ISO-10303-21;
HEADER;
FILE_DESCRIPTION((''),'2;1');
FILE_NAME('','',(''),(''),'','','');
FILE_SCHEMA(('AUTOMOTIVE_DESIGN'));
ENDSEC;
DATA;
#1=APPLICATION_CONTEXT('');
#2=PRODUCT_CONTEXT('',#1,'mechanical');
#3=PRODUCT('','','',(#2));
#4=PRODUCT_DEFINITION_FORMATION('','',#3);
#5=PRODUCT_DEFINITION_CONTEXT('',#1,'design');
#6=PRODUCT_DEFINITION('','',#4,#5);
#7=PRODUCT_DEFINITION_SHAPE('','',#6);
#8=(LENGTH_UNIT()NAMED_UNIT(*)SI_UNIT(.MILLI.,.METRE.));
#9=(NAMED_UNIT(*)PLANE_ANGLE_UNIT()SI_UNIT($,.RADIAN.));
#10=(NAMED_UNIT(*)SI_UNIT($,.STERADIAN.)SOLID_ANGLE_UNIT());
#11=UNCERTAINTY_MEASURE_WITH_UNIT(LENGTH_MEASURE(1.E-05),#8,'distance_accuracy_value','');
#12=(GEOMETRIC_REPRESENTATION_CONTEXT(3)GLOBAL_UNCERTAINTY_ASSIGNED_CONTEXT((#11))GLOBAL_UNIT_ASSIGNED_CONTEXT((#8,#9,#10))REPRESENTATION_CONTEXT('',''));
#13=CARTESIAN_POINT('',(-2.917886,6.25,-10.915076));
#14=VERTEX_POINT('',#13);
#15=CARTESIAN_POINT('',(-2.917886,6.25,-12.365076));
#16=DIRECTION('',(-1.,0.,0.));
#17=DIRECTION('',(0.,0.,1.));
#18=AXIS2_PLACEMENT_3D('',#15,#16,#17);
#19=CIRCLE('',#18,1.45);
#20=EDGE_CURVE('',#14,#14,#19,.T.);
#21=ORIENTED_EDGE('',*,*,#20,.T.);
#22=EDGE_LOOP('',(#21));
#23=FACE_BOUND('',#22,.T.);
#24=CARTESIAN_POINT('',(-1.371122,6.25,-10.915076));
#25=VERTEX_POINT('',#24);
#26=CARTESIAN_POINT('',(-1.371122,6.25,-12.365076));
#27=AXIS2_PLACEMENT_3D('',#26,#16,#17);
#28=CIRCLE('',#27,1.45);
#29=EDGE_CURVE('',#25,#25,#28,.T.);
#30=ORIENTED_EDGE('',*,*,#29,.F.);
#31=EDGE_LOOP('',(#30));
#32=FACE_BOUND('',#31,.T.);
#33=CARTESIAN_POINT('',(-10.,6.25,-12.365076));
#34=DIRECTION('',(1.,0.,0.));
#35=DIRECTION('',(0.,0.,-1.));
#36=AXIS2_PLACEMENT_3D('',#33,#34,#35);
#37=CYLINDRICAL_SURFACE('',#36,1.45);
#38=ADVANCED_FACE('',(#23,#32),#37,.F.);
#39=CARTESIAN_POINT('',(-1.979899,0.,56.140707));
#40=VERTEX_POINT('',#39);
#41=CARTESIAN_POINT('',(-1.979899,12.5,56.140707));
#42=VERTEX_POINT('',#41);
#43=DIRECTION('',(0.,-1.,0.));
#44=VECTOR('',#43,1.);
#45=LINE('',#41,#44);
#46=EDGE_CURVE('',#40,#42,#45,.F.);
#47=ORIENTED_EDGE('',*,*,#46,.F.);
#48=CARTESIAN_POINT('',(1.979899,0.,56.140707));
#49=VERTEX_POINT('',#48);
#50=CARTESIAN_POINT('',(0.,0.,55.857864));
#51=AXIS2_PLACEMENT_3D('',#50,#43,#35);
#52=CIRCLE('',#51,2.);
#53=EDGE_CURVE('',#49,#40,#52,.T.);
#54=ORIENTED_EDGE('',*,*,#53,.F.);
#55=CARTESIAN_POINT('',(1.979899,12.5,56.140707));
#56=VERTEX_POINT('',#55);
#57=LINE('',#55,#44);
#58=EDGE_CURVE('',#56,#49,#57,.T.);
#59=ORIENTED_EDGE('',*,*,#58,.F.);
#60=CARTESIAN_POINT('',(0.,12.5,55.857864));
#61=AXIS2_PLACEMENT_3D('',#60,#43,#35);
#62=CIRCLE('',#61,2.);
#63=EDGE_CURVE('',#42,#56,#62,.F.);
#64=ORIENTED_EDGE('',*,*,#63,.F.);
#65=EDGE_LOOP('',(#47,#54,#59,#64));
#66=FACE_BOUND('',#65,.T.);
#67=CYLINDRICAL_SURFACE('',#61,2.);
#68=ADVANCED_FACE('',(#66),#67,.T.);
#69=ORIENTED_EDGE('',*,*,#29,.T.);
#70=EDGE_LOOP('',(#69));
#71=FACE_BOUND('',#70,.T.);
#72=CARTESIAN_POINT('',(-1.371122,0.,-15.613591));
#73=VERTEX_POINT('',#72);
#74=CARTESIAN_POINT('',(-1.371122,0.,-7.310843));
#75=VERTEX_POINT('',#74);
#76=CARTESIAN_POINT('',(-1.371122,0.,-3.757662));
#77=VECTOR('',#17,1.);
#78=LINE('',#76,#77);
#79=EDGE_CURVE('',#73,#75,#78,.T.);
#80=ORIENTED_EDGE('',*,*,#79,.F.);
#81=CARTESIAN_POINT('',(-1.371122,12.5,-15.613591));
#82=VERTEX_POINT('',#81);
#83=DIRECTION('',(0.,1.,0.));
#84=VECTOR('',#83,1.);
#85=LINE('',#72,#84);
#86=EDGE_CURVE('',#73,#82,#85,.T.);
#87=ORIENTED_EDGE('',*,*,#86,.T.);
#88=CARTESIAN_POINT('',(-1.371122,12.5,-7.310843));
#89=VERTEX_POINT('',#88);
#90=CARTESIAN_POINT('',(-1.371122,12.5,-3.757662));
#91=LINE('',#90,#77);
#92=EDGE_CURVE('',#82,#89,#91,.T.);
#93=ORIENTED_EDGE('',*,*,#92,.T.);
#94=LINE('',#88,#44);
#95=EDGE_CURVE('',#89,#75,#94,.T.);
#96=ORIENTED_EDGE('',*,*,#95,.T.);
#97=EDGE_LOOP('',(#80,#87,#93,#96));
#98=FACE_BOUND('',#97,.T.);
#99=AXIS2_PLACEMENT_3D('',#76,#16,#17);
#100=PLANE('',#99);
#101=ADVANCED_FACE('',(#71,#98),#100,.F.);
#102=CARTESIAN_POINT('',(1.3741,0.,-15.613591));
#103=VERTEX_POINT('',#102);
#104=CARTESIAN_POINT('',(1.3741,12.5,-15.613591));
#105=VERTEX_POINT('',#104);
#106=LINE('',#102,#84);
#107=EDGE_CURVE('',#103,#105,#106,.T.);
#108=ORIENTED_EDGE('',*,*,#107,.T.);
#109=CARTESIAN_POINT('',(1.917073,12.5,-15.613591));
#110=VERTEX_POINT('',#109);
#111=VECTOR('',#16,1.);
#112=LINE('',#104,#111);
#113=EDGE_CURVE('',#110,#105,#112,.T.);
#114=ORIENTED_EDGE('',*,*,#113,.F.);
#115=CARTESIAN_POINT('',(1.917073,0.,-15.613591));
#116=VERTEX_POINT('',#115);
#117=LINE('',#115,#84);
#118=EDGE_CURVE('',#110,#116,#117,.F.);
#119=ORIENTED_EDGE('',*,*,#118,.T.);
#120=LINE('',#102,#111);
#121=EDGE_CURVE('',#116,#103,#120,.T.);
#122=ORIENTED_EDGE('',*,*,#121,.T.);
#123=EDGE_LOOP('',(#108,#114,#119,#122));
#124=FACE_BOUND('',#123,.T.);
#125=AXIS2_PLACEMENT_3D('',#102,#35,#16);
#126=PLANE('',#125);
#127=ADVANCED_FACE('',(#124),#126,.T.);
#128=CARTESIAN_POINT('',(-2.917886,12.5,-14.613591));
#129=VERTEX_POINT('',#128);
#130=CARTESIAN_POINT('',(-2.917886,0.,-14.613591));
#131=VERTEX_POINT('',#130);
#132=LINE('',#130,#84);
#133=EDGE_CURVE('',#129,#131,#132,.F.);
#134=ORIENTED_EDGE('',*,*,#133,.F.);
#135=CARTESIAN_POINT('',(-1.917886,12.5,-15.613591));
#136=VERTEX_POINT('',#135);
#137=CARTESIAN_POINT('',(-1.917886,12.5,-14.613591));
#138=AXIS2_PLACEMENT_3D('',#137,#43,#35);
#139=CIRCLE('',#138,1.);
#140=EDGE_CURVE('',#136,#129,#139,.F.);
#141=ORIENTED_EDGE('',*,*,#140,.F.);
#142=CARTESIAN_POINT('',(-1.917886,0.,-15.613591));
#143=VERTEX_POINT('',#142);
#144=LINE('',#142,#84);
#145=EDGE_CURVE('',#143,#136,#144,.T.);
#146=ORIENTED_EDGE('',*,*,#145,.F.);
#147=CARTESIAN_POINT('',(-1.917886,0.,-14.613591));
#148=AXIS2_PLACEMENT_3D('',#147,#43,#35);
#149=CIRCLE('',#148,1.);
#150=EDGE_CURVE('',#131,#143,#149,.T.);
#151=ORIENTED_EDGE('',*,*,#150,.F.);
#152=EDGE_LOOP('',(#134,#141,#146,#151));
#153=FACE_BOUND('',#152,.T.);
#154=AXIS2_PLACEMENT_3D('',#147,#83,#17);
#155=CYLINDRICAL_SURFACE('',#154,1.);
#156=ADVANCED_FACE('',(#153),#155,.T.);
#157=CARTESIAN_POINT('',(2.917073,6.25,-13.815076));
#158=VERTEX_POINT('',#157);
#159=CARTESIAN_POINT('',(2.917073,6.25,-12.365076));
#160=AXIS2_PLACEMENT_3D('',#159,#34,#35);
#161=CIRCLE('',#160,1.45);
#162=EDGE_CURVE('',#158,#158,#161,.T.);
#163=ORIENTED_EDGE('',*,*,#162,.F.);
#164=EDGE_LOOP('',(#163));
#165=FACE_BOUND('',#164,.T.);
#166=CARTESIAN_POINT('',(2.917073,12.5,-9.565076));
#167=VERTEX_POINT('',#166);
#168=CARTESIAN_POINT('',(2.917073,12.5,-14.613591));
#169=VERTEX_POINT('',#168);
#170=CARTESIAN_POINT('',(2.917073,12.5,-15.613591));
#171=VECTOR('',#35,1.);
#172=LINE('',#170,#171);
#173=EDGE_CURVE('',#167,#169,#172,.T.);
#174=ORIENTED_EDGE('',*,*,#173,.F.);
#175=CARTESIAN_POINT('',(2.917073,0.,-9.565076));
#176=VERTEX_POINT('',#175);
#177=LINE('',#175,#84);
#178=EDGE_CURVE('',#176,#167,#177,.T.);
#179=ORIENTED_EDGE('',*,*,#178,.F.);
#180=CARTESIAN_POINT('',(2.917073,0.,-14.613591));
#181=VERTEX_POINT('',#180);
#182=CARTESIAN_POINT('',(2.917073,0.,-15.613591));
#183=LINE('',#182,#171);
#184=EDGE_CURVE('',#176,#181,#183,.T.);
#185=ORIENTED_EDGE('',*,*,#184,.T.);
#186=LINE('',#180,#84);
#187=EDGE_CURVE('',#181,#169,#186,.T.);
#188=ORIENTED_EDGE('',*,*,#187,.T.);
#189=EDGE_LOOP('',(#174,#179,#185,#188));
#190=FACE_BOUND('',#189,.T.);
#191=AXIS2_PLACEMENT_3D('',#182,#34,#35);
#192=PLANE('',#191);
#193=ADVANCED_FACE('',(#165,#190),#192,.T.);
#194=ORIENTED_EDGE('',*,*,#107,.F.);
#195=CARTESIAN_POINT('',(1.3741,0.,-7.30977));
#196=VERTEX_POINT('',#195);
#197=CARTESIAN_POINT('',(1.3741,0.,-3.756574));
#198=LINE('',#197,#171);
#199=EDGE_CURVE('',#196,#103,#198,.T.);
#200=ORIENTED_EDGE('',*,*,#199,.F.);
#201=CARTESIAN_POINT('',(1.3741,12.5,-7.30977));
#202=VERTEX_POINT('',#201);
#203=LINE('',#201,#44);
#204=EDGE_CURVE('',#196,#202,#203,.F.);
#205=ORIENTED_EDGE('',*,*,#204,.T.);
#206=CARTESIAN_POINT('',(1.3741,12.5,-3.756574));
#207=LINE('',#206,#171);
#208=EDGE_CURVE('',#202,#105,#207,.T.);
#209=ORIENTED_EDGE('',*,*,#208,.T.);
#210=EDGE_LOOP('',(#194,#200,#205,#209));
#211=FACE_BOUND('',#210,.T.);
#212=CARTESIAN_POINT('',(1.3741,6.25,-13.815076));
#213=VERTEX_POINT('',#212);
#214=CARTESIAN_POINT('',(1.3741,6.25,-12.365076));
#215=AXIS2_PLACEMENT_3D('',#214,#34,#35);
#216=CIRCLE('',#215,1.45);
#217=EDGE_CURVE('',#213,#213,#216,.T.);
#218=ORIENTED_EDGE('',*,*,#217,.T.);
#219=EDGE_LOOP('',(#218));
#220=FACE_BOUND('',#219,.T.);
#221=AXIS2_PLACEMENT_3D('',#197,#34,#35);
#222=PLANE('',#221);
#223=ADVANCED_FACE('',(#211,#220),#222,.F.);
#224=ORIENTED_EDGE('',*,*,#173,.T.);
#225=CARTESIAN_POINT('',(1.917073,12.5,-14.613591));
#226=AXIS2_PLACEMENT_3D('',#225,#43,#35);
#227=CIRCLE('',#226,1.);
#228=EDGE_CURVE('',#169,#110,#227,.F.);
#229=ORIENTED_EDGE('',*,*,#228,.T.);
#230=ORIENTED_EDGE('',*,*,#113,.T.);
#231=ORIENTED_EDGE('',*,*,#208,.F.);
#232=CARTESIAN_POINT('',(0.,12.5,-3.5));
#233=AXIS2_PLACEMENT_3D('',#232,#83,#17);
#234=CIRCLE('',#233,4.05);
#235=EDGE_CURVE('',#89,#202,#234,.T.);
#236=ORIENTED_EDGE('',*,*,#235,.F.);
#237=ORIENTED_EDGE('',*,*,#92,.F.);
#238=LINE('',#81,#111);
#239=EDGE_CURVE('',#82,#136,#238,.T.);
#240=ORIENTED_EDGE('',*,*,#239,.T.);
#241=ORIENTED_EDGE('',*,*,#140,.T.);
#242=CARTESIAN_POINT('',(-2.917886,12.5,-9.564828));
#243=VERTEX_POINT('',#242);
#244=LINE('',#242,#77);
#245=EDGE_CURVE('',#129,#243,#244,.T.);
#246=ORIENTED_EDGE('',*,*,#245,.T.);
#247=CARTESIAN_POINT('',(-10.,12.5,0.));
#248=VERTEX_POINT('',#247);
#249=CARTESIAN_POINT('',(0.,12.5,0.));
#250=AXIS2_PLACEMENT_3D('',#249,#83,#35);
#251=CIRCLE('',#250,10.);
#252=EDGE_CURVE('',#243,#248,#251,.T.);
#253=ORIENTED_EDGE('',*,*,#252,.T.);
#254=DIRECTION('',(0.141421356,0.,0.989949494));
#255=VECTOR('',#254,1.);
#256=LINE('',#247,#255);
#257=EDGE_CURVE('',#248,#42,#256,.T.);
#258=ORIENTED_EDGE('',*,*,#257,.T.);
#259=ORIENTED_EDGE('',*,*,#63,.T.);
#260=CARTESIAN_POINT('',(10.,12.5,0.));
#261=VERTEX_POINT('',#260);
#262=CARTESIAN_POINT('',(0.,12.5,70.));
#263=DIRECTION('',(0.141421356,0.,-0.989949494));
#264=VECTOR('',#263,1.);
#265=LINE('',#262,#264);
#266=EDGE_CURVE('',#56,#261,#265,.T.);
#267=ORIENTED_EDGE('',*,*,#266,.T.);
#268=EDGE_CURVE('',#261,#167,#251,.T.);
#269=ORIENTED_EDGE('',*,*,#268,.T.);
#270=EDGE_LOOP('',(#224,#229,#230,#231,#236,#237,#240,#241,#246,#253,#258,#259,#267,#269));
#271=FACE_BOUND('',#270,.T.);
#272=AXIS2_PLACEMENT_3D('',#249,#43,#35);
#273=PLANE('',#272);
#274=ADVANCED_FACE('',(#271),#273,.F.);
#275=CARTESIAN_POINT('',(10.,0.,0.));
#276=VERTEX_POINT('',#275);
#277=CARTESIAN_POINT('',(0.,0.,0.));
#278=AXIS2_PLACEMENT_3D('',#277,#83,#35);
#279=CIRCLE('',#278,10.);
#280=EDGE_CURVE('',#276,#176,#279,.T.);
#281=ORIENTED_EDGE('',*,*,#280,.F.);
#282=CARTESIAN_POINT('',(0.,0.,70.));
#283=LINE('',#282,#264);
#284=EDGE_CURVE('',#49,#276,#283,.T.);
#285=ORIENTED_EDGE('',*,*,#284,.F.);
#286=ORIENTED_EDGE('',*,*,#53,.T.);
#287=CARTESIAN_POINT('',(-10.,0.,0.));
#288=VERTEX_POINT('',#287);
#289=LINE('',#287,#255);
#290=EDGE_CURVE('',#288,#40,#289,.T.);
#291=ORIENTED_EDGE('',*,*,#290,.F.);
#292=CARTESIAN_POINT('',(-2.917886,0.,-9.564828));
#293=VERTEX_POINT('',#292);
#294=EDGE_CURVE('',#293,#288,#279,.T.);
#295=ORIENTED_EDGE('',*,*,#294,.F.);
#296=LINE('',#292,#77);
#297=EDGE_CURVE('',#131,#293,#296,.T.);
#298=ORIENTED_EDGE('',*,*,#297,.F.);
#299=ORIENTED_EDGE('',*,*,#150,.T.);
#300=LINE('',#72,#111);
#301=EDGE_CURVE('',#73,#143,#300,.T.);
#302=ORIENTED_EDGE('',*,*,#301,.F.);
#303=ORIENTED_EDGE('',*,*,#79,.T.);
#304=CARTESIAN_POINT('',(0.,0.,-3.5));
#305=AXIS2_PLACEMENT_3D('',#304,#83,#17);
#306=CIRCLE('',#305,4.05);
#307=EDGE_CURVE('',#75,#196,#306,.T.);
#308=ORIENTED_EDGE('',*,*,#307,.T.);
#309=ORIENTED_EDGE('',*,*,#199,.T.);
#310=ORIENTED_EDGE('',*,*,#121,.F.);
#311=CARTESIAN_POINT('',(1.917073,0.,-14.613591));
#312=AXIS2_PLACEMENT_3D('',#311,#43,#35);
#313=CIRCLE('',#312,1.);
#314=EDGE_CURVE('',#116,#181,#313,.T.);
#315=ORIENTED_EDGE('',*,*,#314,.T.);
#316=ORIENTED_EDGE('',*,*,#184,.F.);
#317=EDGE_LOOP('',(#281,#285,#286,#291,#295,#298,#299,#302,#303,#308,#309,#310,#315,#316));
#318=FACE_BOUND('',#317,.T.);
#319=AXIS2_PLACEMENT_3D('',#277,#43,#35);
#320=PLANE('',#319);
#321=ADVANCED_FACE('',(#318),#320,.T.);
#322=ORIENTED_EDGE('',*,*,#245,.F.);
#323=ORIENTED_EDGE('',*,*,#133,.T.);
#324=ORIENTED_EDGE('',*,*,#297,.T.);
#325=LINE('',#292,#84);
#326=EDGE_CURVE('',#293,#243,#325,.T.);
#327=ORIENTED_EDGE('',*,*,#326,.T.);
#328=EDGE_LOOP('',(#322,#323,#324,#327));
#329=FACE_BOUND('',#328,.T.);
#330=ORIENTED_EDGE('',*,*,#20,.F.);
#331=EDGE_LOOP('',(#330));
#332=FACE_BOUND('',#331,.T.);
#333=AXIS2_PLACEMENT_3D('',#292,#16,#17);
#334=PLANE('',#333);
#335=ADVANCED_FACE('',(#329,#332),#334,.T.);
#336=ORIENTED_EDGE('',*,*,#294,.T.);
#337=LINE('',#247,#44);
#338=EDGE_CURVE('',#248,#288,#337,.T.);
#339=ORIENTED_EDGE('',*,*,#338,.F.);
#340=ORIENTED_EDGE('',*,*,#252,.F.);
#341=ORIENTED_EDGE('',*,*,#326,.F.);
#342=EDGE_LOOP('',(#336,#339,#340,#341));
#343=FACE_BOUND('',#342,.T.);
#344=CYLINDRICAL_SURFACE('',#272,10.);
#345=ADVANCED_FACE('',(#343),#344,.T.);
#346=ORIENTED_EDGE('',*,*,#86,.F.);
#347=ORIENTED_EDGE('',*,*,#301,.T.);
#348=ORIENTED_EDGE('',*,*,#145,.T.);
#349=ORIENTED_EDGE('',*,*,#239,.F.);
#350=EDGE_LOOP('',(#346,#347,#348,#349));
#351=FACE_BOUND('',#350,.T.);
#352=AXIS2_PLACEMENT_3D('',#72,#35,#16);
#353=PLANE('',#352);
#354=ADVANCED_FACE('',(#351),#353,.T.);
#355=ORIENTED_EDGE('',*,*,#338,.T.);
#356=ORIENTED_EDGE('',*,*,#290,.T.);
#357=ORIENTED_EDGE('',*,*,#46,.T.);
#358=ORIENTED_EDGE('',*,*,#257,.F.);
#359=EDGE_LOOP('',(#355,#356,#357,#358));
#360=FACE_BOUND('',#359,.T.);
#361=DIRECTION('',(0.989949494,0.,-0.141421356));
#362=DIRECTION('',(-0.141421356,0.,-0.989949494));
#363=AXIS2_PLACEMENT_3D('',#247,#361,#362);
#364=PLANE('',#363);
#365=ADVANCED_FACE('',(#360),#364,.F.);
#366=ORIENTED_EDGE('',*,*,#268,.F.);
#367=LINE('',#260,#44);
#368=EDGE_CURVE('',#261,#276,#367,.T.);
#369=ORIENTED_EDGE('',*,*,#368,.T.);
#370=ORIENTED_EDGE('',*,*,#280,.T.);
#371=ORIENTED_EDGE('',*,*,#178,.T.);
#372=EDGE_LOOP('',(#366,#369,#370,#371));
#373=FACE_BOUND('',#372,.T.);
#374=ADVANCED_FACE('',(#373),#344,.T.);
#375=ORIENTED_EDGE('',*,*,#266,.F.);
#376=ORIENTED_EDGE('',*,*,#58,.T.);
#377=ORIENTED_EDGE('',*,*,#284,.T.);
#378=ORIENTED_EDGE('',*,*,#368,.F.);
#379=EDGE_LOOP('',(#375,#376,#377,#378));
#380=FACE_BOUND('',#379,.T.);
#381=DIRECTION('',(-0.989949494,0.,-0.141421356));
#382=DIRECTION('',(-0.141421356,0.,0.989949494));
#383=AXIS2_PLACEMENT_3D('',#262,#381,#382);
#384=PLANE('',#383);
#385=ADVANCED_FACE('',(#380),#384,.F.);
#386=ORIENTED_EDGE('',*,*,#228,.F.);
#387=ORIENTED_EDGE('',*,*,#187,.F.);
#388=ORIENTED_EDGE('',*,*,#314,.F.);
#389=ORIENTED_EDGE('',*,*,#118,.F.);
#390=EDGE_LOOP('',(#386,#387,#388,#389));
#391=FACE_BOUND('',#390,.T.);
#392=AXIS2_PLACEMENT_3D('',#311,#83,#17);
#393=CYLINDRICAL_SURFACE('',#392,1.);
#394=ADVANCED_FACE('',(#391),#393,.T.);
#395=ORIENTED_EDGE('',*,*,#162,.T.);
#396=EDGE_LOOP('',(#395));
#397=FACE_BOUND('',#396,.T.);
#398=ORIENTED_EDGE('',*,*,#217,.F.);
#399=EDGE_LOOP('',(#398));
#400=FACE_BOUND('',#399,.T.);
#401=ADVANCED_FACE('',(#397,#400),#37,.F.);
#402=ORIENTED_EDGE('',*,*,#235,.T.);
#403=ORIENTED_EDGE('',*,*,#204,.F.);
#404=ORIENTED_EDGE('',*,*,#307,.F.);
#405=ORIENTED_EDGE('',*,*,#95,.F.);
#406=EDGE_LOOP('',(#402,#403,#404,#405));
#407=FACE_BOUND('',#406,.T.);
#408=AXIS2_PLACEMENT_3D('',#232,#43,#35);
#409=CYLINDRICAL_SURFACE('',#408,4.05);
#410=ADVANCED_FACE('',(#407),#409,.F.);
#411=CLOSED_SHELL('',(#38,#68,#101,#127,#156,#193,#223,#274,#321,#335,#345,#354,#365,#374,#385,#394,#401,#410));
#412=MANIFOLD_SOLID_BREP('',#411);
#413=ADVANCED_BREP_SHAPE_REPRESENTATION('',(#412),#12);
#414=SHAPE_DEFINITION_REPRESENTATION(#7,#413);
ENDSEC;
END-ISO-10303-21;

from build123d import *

# Parameters (mm, degrees)
SKETCH2_R           = 4.05
BOSS_EXTRUDE1_DEPTH = 12.5
FILLET1_R           = 2
CUT_EXTRUDE1_DEPTH  = 61.03151231
BOSS_EXTRUDE2_START = -12.5
BOSS_EXTRUDE2_DEPTH = 12.5
FILLET2_R           = 1
SKETCH7_R           = 1.45
CUT_EXTRUDE2_DEPTH  = 61.585751092


with BuildPart() as part:
    # Sketch2 → Boss-Extrude1 (new body)
    with BuildSketch(Plane(origin=(0, 0, 0), x_dir=(1, 0, 0), z_dir=(0, 1, 0))):
        with BuildLine():
            Line((-10, 0), (0, -70))
            Line((0, -70), (10, 0))
            ThreePointArc((10, 0), (0, 10), (-10, 0))
        make_face()
        with Locations(Location((0, 3.5, 0), (0, 0, 270))):
            Circle(SKETCH2_R, mode=Mode.SUBTRACT)
    extrude(amount=BOSS_EXTRUDE1_DEPTH)

    # Fillet1
    fillet1_edges = [part.edges().sort_by_distance(p)[0] for p in [
        (0, 6.25, 70),
    ]]
    fillet(fillet1_edges, radius=FILLET1_R)

    # Sketch5 → Cut-Extrude1 (cut, through all)
    with BuildSketch(Plane(origin=(0, 12.5, 0), x_dir=(1, 0, 0), z_dir=(0, 1, 0))):
        with BuildLine():
            Line((-1.371121558, 3.757662262), (-1.371121558, 13.050926013))
            Line((-1.371121558, 13.050926013), (1.374099614, 13.050926013))
            Line((1.374099614, 13.050926013), (1.374099614, 3.756574271))
            ThreePointArc((1.374099614, 3.756574271), (0.697747417, 3.938673449), (0, 4))
            ThreePointArc((0, 4), (-0.69618638, 3.938949673), (-1.371121558, 3.757662262))
        make_face()
    extrude(amount=-CUT_EXTRUDE1_DEPTH, mode=Mode.SUBTRACT)

    # Sketch6 → Boss-Extrude2 (add)
    with BuildSketch(Plane(origin=(0, 12.5, 0), x_dir=(1, 0, 0), z_dir=(0, 1, 0)).offset(BOSS_EXTRUDE2_START)):
        with BuildLine():
            Line((-2.91788587, 9.564828386), (-2.91788587, 15.613591417))
            Line((-2.91788587, 15.613591417), (-1.371121558, 15.613591417))
            Line((-1.371121558, 15.613591417), (-1.371121558, 9.905555294))
            ThreePointArc((-1.371121558, 9.905555294), (-2.151260069, 9.765862999), (-2.91788587, 9.564828386))
        make_face()
        with BuildLine():
            Line((1.374099614, 9.905142616), (1.374099614, 15.613591417))
            Line((1.374099614, 15.613591417), (2.917072625, 15.613591417))
            Line((2.917072625, 15.613591417), (2.917072625, 9.56507644))
            ThreePointArc((2.917072625, 9.56507644), (2.152312953, 9.765631006), (1.374099614, 9.905142616))
        make_face()
    extrude(amount=BOSS_EXTRUDE2_DEPTH)

    # Fillet2
    fillet2_edges = [part.edges().sort_by_distance(p)[0] for p in [
        (-2.91788587, 6.25, -15.613591417),
        (2.917072625, 6.25, -15.613591417),
    ]]
    fillet(fillet2_edges, radius=FILLET2_R)

    # Sketch7 → Cut-Extrude2 (cut, through all)
    with BuildSketch(Plane(origin=(2.917072625, 0, 0), x_dir=(0, 0, -1), z_dir=(1, 0, 0))):
        with Locations((12.36507644, 6.25)):
            Circle(SKETCH7_R)
    extrude(amount=-CUT_EXTRUDE2_DEPTH, mode=Mode.SUBTRACT)


solid = part.part
